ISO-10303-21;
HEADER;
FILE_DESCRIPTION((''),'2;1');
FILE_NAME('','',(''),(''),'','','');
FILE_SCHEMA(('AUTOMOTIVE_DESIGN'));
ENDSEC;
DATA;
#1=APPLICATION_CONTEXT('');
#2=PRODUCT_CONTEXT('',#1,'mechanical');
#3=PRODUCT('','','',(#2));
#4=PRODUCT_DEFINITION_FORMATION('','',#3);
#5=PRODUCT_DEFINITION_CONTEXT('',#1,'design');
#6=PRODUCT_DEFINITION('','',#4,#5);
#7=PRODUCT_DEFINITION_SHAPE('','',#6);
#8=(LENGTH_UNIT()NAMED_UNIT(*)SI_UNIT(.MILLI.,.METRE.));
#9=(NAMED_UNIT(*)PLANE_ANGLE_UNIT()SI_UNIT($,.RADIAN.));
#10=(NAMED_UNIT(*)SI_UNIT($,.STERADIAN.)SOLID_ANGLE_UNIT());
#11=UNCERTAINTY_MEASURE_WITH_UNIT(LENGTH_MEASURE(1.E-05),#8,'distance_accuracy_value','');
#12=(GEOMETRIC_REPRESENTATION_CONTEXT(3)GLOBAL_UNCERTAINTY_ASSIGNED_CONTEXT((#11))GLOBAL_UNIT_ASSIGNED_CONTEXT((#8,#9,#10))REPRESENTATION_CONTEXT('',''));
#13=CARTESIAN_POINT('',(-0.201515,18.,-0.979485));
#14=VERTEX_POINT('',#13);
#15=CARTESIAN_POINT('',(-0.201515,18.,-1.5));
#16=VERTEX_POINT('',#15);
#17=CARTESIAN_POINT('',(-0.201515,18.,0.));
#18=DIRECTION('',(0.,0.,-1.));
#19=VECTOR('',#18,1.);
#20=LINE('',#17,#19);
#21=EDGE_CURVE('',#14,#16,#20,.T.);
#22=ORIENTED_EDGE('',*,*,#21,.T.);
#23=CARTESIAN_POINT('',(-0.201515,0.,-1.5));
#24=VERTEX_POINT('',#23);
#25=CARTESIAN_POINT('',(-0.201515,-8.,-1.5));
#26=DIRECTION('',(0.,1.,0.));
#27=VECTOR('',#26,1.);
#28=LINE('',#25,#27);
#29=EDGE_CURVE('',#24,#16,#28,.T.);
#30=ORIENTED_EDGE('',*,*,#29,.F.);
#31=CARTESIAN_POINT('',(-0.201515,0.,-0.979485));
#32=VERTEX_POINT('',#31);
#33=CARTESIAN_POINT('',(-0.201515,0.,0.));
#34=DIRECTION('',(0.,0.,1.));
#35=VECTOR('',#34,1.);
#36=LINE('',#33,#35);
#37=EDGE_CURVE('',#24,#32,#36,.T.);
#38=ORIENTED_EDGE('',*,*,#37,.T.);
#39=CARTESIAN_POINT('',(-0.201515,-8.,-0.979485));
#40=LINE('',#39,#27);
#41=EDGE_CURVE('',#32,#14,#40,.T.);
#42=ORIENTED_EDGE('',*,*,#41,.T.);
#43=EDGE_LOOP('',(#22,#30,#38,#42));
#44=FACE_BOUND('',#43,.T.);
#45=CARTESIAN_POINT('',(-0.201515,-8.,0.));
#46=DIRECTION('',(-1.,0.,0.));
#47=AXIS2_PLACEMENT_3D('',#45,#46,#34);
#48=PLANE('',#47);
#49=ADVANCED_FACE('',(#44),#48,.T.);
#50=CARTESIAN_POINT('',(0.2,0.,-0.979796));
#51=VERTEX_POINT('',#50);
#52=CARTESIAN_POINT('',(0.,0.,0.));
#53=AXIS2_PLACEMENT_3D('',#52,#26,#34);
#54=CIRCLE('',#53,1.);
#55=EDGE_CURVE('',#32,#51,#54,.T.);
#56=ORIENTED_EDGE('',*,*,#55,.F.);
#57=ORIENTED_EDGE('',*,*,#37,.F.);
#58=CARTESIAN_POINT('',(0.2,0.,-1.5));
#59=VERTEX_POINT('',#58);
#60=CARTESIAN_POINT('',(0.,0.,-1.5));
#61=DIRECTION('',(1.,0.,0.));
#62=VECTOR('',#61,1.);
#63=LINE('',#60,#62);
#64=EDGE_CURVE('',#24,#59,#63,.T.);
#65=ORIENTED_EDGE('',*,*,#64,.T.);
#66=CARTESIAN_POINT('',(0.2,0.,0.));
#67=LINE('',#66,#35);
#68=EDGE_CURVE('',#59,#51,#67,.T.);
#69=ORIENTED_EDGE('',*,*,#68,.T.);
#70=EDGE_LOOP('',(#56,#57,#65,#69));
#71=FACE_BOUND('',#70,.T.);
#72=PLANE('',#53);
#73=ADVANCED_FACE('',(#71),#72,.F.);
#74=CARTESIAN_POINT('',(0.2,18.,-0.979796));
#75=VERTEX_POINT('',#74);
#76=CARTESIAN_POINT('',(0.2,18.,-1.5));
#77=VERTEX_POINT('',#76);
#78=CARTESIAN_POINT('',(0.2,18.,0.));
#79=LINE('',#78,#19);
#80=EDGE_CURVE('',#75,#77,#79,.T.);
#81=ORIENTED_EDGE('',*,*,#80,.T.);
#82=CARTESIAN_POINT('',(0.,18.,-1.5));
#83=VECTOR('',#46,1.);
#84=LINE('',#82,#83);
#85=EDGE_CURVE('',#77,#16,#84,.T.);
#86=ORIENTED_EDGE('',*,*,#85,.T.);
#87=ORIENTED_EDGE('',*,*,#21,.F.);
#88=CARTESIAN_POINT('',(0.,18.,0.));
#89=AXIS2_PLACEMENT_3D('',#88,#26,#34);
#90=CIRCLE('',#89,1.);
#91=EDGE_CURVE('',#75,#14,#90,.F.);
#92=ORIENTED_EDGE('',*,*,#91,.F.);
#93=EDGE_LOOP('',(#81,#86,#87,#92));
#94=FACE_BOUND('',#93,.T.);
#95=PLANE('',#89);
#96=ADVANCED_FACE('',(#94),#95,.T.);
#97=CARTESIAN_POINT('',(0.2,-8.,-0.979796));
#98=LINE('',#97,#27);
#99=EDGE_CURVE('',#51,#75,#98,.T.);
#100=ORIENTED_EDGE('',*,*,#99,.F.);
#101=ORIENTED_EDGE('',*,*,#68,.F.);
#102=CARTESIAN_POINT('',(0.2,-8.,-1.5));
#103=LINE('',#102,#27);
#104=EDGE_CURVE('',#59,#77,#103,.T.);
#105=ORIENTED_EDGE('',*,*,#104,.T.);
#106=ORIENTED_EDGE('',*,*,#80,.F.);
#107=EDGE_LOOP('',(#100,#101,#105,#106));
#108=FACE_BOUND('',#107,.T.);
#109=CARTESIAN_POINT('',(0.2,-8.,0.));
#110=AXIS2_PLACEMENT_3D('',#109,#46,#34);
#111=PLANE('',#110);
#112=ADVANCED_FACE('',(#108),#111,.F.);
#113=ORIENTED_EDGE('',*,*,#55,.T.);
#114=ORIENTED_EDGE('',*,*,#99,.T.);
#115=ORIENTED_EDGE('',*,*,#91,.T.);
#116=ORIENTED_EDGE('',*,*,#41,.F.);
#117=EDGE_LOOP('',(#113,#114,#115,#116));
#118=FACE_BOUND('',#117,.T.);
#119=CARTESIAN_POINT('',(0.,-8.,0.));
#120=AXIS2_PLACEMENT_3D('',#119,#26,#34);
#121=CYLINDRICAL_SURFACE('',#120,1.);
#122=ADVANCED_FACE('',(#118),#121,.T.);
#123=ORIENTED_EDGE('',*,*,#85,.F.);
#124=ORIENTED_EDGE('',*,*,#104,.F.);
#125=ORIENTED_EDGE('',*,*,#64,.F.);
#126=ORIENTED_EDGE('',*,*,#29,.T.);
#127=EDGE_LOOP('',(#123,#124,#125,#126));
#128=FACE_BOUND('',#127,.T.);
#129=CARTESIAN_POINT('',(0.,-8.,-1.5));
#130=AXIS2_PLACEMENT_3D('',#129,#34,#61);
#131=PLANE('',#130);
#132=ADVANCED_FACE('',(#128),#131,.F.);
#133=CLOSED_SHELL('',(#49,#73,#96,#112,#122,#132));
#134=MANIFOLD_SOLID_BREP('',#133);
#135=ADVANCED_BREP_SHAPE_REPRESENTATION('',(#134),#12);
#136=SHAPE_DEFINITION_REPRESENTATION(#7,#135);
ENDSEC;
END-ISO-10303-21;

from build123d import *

# Parameters (mm, degrees)
SKETCH1_R           = 2
BOSS_EXTRUDE1_DEPTH = 45
CUT_EXTRUDE1_START  = -53
SKETCH2_R           = 4.181773236
CUT_EXTRUDE1_DEPTH  = 53
SKETCH3_R           = 2.328270144
CUT_EXTRUDE2_DEPTH  = 27


with BuildPart() as part:
    # Sketch1 → Boss-Extrude1 (new body)
    with BuildSketch(Plane(origin=(0, 0, 0), x_dir=(1, 0, 0), z_dir=(0, 1, 0))):
        Polygon((-0.5, 1.936491673), (0, 2.368245837), (0, 2.8), (-0.5, 2.8), align=None)
        Polygon((0, 2.8), (0, 2.368245837), (0.5, 2.8), align=None)
        with BuildLine():
            Line((0, 2.368245837), (0, 2))
            ThreePointArc((0, 2), (0.252008585, 1.984059393), (0.5, 1.936491673))
            Line((0.5, 1.936491673), (0.5, 2.8))
            Line((0.5, 2.8), (0, 2.368245837))
        make_face()
        with BuildLine():
            ThreePointArc((-0.5, 1.936491673), (-0.252008585, 1.984059393), (0, 2))
            Line((0, 2), (0, 2.368245837))
            Line((0, 2.368245837), (-0.5, 1.936491673))
        make_face()
        Circle(SKETCH1_R)
    extrude(amount=BOSS_EXTRUDE1_DEPTH)

    # Sketch2 → Cut-Extrude1 (cut)
    # profile 1 of 2: a face of its own
    with BuildSketch(Plane(origin=(0, 45, 0), x_dir=(1, 0, 0), z_dir=(0, 1, 0)).offset(CUT_EXTRUDE1_START)):
        Circle(SKETCH2_R)
        with BuildLine():
            Line((-0.5, 2.8), (-0.5, 1.936491673))
            ThreePointArc((-0.5, 1.936491673), (0, -2), (0.5, 1.936491673))
            Line((0.5, 1.936491673), (0.5, 2.8))
            Line((0.5, 2.8), (-0.5, 2.8))
        make_face(mode=Mode.SUBTRACT)
    # profile 2 of 2: a face of its own
    with BuildSketch(Plane(origin=(0, 45, 0), x_dir=(1, 0, 0), z_dir=(0, 1, 0)).offset(CUT_EXTRUDE1_START)):
        with BuildLine():
            Line((0.5, 2.8), (-0.5, 2.8))
            Line((-0.5, 2.8), (-0.5, 1.936491673))
            ThreePointArc((-0.5, 1.936491673), (0, -2), (0.5, 1.936491673))
            Line((0.5, 1.936491673), (0.5, 2.8))
        make_face()
        with BuildLine():
            Line((-0.20151518, 1.5), (0, 1.5))
            Line((0, 1.5), (0.2, 1.5))
            Line((0.2, 1.5), (0.2, 0.979795897))
            ThreePointArc((0.2, 0.979795897), (0.774596669, 0.632455532), (1, 0))
            ThreePointArc((1, 0), (-0.631856321, -0.775085537), (-0.20151518, 0.979485391))
            Line((-0.20151518, 0.979485391), (-0.20151518, 1.5))
        make_face(mode=Mode.SUBTRACT)
    extrude(amount=CUT_EXTRUDE1_DEPTH, mode=Mode.SUBTRACT)

    # Sketch3 → Cut-Extrude2 (cut)
    with BuildSketch(Plane(origin=(0, 45, 0), x_dir=(1, 0, 0), z_dir=(0, 1, 0))):
        Circle(SKETCH3_R)
    extrude(amount=-CUT_EXTRUDE2_DEPTH, mode=Mode.SUBTRACT)


solid = part.part
